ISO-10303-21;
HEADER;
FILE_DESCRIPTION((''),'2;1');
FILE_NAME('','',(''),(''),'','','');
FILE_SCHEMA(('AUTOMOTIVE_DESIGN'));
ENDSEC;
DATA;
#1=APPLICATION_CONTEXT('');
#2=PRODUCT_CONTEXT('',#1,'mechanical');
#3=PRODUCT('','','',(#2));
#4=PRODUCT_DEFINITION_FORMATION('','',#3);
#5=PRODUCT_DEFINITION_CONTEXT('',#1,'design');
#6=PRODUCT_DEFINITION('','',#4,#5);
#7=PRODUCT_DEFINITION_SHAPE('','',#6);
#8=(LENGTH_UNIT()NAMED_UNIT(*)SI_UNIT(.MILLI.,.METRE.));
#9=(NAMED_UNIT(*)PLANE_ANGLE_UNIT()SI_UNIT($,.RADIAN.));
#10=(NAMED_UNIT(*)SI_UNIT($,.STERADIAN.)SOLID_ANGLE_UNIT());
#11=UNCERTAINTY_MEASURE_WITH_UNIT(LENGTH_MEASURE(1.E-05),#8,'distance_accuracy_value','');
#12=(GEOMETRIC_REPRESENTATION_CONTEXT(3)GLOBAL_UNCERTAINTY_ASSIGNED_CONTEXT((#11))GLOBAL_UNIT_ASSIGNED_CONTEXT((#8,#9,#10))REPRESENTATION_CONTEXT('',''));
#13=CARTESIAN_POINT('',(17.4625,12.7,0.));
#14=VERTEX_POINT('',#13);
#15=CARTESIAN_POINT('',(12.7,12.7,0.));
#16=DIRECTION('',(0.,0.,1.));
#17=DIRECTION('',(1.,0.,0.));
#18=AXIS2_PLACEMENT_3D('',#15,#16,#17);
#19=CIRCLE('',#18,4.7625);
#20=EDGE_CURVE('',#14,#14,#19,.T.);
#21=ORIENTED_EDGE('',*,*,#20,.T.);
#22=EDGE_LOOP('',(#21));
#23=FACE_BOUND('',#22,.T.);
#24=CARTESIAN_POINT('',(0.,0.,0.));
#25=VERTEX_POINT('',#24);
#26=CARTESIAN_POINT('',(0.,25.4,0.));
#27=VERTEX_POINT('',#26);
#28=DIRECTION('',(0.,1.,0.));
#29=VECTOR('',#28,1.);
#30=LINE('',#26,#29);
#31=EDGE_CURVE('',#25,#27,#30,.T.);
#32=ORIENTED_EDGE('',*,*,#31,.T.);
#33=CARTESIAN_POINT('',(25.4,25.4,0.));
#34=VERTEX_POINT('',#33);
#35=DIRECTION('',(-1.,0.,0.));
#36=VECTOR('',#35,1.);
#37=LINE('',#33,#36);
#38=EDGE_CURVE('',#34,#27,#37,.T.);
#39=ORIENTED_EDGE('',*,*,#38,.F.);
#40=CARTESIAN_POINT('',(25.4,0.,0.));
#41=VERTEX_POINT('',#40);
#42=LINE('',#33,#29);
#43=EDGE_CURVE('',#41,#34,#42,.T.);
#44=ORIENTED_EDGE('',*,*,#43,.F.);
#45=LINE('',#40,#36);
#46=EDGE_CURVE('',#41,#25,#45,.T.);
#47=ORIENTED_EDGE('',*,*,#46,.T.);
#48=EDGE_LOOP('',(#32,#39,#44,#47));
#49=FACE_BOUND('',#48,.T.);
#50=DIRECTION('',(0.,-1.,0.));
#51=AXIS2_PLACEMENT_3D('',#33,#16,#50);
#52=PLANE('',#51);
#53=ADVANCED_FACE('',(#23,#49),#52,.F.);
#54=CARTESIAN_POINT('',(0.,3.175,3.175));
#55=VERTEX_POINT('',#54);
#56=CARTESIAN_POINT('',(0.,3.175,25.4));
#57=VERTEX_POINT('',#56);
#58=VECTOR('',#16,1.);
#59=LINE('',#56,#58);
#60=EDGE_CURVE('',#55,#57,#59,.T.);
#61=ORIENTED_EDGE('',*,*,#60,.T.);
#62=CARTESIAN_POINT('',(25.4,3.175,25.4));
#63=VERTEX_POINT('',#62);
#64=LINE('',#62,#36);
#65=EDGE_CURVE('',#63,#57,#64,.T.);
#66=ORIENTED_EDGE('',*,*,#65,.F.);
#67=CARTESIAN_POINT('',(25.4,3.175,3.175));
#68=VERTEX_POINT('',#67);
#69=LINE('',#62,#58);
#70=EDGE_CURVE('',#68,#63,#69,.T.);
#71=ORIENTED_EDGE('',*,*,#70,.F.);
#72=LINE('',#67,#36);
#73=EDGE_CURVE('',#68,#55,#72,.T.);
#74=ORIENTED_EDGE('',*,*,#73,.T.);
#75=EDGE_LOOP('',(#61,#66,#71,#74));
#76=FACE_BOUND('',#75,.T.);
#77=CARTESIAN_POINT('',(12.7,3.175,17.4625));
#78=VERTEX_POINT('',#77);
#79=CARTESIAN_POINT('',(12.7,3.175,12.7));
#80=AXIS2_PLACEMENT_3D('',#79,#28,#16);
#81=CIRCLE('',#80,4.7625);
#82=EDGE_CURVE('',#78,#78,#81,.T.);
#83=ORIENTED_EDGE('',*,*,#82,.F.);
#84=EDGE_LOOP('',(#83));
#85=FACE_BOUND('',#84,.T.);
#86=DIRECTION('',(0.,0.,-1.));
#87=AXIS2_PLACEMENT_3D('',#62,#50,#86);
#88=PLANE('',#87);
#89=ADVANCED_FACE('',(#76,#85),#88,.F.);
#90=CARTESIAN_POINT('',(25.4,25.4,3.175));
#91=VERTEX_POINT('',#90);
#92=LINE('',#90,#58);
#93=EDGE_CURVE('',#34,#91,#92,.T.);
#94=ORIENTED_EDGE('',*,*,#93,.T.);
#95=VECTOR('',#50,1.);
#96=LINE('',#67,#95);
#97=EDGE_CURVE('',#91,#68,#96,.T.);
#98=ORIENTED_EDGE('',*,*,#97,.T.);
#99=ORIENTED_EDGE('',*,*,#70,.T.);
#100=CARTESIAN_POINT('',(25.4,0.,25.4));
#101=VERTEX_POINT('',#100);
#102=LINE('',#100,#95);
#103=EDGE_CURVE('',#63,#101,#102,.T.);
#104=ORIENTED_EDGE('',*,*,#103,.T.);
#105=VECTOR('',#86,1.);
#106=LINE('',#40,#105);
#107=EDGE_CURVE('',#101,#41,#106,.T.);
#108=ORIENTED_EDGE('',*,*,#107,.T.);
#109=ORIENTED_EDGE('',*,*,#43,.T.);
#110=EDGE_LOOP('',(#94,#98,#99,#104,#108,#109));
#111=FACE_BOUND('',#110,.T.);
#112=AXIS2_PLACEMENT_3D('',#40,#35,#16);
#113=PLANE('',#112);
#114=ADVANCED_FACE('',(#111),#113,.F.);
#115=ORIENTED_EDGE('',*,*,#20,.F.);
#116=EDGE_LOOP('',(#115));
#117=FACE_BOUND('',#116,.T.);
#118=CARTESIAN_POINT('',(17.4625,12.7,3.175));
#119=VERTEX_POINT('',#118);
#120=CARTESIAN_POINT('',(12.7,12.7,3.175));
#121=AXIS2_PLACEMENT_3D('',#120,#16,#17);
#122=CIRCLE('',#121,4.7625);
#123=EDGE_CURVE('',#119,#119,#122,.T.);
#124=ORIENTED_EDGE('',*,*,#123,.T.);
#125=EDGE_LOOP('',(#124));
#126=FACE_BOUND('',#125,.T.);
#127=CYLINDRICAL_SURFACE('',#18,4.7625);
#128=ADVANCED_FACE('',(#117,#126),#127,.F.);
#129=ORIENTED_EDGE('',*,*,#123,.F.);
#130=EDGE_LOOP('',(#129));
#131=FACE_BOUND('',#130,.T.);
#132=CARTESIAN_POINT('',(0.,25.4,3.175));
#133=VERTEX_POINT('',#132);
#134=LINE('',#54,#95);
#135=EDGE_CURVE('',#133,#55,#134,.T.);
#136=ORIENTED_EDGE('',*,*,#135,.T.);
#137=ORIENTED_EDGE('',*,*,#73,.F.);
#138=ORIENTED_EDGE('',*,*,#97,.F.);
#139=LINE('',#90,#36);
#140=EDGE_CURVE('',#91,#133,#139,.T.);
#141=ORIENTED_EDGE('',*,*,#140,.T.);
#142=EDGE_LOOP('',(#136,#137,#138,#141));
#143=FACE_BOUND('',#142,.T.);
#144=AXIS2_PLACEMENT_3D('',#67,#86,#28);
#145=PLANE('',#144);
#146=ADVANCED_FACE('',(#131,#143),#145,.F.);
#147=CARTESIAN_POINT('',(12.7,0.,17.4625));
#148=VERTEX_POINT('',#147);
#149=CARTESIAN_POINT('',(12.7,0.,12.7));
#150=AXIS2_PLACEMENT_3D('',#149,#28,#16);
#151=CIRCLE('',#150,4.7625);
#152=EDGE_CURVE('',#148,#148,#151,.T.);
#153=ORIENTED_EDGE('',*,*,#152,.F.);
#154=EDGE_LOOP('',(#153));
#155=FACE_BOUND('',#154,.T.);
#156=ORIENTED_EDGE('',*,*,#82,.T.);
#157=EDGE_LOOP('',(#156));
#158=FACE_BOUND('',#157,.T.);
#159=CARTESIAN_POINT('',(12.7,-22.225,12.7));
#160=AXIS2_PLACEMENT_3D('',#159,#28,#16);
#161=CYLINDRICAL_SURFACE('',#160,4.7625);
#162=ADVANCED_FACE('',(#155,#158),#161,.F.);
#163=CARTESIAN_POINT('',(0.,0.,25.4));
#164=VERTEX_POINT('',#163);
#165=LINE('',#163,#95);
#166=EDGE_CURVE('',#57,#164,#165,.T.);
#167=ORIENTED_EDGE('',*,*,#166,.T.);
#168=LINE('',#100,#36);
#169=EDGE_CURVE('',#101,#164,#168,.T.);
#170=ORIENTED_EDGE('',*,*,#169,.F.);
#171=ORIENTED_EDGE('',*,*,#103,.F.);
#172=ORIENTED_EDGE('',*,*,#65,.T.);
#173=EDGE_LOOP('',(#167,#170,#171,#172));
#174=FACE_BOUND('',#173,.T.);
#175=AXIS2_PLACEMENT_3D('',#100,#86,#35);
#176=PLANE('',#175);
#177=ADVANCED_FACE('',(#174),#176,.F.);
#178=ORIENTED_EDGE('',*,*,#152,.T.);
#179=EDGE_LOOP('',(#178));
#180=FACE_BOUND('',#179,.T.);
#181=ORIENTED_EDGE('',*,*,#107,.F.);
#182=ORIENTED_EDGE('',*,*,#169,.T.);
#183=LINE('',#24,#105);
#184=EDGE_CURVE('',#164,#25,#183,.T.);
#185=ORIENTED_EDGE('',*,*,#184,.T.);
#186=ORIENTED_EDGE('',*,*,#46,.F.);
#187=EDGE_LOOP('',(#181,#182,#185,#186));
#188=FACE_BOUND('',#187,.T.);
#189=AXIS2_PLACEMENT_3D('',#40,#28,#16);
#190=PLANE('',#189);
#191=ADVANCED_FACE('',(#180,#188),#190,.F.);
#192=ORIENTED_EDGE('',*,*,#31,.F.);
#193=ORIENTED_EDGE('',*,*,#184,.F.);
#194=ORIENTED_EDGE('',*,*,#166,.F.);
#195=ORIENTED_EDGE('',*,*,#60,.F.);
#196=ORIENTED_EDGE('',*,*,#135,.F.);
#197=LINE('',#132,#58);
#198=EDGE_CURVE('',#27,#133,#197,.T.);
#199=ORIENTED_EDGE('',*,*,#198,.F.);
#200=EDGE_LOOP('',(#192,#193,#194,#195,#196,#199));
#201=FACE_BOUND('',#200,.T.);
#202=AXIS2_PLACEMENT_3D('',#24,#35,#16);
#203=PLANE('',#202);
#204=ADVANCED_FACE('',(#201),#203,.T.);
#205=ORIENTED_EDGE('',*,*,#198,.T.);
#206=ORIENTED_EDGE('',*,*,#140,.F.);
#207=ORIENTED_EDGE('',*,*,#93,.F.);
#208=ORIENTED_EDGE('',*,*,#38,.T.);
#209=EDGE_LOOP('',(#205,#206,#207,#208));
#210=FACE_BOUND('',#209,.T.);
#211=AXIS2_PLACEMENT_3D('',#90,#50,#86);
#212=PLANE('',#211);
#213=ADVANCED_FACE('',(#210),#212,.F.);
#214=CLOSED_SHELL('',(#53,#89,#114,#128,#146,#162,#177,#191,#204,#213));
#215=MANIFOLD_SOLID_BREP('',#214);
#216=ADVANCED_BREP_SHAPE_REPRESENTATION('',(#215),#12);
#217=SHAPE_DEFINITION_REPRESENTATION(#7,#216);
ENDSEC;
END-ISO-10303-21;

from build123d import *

# Parameters (mm, degrees)
BOSS_EXTRUDE1_DEPTH = 25.4
SKETCH2_R           = 4.7625
CUT_EXTRUDE1_DEPTH  = 25.4
SKETCH3_R           = 4.7625
CUT_EXTRUDE2_DEPTH  = 4.175


with BuildPart() as part:
    # Sketch1 → Boss-Extrude1 (new body)
    with BuildSketch(Plane(origin=(0, 0, 0), x_dir=(0, 0, -1), z_dir=(1, 0, 0))):
        Polygon((0, 0), (-25.4, 0), (-25.4, 3.175), (-3.175, 3.175), (-3.175, 25.4), (0, 25.4), align=None)
    extrude(amount=BOSS_EXTRUDE1_DEPTH)

    # Sketch2 → Cut-Extrude1 (cut)
    with BuildSketch(Plane(origin=(0, 3.175, 0), x_dir=(1, 0, 0), z_dir=(0, 1, 0))):
        with Locations((12.7, -12.7)):
            Circle(SKETCH2_R)
    extrude(amount=-CUT_EXTRUDE1_DEPTH, mode=Mode.SUBTRACT)

    # Sketch3 → Cut-Extrude2 (cut, through all)
    with BuildSketch(Plane.XY.offset(3.175)):
        with Locations((12.7, 12.7)):
            Circle(SKETCH3_R)
    extrude(amount=-CUT_EXTRUDE2_DEPTH, mode=Mode.SUBTRACT)


solid = part.part
